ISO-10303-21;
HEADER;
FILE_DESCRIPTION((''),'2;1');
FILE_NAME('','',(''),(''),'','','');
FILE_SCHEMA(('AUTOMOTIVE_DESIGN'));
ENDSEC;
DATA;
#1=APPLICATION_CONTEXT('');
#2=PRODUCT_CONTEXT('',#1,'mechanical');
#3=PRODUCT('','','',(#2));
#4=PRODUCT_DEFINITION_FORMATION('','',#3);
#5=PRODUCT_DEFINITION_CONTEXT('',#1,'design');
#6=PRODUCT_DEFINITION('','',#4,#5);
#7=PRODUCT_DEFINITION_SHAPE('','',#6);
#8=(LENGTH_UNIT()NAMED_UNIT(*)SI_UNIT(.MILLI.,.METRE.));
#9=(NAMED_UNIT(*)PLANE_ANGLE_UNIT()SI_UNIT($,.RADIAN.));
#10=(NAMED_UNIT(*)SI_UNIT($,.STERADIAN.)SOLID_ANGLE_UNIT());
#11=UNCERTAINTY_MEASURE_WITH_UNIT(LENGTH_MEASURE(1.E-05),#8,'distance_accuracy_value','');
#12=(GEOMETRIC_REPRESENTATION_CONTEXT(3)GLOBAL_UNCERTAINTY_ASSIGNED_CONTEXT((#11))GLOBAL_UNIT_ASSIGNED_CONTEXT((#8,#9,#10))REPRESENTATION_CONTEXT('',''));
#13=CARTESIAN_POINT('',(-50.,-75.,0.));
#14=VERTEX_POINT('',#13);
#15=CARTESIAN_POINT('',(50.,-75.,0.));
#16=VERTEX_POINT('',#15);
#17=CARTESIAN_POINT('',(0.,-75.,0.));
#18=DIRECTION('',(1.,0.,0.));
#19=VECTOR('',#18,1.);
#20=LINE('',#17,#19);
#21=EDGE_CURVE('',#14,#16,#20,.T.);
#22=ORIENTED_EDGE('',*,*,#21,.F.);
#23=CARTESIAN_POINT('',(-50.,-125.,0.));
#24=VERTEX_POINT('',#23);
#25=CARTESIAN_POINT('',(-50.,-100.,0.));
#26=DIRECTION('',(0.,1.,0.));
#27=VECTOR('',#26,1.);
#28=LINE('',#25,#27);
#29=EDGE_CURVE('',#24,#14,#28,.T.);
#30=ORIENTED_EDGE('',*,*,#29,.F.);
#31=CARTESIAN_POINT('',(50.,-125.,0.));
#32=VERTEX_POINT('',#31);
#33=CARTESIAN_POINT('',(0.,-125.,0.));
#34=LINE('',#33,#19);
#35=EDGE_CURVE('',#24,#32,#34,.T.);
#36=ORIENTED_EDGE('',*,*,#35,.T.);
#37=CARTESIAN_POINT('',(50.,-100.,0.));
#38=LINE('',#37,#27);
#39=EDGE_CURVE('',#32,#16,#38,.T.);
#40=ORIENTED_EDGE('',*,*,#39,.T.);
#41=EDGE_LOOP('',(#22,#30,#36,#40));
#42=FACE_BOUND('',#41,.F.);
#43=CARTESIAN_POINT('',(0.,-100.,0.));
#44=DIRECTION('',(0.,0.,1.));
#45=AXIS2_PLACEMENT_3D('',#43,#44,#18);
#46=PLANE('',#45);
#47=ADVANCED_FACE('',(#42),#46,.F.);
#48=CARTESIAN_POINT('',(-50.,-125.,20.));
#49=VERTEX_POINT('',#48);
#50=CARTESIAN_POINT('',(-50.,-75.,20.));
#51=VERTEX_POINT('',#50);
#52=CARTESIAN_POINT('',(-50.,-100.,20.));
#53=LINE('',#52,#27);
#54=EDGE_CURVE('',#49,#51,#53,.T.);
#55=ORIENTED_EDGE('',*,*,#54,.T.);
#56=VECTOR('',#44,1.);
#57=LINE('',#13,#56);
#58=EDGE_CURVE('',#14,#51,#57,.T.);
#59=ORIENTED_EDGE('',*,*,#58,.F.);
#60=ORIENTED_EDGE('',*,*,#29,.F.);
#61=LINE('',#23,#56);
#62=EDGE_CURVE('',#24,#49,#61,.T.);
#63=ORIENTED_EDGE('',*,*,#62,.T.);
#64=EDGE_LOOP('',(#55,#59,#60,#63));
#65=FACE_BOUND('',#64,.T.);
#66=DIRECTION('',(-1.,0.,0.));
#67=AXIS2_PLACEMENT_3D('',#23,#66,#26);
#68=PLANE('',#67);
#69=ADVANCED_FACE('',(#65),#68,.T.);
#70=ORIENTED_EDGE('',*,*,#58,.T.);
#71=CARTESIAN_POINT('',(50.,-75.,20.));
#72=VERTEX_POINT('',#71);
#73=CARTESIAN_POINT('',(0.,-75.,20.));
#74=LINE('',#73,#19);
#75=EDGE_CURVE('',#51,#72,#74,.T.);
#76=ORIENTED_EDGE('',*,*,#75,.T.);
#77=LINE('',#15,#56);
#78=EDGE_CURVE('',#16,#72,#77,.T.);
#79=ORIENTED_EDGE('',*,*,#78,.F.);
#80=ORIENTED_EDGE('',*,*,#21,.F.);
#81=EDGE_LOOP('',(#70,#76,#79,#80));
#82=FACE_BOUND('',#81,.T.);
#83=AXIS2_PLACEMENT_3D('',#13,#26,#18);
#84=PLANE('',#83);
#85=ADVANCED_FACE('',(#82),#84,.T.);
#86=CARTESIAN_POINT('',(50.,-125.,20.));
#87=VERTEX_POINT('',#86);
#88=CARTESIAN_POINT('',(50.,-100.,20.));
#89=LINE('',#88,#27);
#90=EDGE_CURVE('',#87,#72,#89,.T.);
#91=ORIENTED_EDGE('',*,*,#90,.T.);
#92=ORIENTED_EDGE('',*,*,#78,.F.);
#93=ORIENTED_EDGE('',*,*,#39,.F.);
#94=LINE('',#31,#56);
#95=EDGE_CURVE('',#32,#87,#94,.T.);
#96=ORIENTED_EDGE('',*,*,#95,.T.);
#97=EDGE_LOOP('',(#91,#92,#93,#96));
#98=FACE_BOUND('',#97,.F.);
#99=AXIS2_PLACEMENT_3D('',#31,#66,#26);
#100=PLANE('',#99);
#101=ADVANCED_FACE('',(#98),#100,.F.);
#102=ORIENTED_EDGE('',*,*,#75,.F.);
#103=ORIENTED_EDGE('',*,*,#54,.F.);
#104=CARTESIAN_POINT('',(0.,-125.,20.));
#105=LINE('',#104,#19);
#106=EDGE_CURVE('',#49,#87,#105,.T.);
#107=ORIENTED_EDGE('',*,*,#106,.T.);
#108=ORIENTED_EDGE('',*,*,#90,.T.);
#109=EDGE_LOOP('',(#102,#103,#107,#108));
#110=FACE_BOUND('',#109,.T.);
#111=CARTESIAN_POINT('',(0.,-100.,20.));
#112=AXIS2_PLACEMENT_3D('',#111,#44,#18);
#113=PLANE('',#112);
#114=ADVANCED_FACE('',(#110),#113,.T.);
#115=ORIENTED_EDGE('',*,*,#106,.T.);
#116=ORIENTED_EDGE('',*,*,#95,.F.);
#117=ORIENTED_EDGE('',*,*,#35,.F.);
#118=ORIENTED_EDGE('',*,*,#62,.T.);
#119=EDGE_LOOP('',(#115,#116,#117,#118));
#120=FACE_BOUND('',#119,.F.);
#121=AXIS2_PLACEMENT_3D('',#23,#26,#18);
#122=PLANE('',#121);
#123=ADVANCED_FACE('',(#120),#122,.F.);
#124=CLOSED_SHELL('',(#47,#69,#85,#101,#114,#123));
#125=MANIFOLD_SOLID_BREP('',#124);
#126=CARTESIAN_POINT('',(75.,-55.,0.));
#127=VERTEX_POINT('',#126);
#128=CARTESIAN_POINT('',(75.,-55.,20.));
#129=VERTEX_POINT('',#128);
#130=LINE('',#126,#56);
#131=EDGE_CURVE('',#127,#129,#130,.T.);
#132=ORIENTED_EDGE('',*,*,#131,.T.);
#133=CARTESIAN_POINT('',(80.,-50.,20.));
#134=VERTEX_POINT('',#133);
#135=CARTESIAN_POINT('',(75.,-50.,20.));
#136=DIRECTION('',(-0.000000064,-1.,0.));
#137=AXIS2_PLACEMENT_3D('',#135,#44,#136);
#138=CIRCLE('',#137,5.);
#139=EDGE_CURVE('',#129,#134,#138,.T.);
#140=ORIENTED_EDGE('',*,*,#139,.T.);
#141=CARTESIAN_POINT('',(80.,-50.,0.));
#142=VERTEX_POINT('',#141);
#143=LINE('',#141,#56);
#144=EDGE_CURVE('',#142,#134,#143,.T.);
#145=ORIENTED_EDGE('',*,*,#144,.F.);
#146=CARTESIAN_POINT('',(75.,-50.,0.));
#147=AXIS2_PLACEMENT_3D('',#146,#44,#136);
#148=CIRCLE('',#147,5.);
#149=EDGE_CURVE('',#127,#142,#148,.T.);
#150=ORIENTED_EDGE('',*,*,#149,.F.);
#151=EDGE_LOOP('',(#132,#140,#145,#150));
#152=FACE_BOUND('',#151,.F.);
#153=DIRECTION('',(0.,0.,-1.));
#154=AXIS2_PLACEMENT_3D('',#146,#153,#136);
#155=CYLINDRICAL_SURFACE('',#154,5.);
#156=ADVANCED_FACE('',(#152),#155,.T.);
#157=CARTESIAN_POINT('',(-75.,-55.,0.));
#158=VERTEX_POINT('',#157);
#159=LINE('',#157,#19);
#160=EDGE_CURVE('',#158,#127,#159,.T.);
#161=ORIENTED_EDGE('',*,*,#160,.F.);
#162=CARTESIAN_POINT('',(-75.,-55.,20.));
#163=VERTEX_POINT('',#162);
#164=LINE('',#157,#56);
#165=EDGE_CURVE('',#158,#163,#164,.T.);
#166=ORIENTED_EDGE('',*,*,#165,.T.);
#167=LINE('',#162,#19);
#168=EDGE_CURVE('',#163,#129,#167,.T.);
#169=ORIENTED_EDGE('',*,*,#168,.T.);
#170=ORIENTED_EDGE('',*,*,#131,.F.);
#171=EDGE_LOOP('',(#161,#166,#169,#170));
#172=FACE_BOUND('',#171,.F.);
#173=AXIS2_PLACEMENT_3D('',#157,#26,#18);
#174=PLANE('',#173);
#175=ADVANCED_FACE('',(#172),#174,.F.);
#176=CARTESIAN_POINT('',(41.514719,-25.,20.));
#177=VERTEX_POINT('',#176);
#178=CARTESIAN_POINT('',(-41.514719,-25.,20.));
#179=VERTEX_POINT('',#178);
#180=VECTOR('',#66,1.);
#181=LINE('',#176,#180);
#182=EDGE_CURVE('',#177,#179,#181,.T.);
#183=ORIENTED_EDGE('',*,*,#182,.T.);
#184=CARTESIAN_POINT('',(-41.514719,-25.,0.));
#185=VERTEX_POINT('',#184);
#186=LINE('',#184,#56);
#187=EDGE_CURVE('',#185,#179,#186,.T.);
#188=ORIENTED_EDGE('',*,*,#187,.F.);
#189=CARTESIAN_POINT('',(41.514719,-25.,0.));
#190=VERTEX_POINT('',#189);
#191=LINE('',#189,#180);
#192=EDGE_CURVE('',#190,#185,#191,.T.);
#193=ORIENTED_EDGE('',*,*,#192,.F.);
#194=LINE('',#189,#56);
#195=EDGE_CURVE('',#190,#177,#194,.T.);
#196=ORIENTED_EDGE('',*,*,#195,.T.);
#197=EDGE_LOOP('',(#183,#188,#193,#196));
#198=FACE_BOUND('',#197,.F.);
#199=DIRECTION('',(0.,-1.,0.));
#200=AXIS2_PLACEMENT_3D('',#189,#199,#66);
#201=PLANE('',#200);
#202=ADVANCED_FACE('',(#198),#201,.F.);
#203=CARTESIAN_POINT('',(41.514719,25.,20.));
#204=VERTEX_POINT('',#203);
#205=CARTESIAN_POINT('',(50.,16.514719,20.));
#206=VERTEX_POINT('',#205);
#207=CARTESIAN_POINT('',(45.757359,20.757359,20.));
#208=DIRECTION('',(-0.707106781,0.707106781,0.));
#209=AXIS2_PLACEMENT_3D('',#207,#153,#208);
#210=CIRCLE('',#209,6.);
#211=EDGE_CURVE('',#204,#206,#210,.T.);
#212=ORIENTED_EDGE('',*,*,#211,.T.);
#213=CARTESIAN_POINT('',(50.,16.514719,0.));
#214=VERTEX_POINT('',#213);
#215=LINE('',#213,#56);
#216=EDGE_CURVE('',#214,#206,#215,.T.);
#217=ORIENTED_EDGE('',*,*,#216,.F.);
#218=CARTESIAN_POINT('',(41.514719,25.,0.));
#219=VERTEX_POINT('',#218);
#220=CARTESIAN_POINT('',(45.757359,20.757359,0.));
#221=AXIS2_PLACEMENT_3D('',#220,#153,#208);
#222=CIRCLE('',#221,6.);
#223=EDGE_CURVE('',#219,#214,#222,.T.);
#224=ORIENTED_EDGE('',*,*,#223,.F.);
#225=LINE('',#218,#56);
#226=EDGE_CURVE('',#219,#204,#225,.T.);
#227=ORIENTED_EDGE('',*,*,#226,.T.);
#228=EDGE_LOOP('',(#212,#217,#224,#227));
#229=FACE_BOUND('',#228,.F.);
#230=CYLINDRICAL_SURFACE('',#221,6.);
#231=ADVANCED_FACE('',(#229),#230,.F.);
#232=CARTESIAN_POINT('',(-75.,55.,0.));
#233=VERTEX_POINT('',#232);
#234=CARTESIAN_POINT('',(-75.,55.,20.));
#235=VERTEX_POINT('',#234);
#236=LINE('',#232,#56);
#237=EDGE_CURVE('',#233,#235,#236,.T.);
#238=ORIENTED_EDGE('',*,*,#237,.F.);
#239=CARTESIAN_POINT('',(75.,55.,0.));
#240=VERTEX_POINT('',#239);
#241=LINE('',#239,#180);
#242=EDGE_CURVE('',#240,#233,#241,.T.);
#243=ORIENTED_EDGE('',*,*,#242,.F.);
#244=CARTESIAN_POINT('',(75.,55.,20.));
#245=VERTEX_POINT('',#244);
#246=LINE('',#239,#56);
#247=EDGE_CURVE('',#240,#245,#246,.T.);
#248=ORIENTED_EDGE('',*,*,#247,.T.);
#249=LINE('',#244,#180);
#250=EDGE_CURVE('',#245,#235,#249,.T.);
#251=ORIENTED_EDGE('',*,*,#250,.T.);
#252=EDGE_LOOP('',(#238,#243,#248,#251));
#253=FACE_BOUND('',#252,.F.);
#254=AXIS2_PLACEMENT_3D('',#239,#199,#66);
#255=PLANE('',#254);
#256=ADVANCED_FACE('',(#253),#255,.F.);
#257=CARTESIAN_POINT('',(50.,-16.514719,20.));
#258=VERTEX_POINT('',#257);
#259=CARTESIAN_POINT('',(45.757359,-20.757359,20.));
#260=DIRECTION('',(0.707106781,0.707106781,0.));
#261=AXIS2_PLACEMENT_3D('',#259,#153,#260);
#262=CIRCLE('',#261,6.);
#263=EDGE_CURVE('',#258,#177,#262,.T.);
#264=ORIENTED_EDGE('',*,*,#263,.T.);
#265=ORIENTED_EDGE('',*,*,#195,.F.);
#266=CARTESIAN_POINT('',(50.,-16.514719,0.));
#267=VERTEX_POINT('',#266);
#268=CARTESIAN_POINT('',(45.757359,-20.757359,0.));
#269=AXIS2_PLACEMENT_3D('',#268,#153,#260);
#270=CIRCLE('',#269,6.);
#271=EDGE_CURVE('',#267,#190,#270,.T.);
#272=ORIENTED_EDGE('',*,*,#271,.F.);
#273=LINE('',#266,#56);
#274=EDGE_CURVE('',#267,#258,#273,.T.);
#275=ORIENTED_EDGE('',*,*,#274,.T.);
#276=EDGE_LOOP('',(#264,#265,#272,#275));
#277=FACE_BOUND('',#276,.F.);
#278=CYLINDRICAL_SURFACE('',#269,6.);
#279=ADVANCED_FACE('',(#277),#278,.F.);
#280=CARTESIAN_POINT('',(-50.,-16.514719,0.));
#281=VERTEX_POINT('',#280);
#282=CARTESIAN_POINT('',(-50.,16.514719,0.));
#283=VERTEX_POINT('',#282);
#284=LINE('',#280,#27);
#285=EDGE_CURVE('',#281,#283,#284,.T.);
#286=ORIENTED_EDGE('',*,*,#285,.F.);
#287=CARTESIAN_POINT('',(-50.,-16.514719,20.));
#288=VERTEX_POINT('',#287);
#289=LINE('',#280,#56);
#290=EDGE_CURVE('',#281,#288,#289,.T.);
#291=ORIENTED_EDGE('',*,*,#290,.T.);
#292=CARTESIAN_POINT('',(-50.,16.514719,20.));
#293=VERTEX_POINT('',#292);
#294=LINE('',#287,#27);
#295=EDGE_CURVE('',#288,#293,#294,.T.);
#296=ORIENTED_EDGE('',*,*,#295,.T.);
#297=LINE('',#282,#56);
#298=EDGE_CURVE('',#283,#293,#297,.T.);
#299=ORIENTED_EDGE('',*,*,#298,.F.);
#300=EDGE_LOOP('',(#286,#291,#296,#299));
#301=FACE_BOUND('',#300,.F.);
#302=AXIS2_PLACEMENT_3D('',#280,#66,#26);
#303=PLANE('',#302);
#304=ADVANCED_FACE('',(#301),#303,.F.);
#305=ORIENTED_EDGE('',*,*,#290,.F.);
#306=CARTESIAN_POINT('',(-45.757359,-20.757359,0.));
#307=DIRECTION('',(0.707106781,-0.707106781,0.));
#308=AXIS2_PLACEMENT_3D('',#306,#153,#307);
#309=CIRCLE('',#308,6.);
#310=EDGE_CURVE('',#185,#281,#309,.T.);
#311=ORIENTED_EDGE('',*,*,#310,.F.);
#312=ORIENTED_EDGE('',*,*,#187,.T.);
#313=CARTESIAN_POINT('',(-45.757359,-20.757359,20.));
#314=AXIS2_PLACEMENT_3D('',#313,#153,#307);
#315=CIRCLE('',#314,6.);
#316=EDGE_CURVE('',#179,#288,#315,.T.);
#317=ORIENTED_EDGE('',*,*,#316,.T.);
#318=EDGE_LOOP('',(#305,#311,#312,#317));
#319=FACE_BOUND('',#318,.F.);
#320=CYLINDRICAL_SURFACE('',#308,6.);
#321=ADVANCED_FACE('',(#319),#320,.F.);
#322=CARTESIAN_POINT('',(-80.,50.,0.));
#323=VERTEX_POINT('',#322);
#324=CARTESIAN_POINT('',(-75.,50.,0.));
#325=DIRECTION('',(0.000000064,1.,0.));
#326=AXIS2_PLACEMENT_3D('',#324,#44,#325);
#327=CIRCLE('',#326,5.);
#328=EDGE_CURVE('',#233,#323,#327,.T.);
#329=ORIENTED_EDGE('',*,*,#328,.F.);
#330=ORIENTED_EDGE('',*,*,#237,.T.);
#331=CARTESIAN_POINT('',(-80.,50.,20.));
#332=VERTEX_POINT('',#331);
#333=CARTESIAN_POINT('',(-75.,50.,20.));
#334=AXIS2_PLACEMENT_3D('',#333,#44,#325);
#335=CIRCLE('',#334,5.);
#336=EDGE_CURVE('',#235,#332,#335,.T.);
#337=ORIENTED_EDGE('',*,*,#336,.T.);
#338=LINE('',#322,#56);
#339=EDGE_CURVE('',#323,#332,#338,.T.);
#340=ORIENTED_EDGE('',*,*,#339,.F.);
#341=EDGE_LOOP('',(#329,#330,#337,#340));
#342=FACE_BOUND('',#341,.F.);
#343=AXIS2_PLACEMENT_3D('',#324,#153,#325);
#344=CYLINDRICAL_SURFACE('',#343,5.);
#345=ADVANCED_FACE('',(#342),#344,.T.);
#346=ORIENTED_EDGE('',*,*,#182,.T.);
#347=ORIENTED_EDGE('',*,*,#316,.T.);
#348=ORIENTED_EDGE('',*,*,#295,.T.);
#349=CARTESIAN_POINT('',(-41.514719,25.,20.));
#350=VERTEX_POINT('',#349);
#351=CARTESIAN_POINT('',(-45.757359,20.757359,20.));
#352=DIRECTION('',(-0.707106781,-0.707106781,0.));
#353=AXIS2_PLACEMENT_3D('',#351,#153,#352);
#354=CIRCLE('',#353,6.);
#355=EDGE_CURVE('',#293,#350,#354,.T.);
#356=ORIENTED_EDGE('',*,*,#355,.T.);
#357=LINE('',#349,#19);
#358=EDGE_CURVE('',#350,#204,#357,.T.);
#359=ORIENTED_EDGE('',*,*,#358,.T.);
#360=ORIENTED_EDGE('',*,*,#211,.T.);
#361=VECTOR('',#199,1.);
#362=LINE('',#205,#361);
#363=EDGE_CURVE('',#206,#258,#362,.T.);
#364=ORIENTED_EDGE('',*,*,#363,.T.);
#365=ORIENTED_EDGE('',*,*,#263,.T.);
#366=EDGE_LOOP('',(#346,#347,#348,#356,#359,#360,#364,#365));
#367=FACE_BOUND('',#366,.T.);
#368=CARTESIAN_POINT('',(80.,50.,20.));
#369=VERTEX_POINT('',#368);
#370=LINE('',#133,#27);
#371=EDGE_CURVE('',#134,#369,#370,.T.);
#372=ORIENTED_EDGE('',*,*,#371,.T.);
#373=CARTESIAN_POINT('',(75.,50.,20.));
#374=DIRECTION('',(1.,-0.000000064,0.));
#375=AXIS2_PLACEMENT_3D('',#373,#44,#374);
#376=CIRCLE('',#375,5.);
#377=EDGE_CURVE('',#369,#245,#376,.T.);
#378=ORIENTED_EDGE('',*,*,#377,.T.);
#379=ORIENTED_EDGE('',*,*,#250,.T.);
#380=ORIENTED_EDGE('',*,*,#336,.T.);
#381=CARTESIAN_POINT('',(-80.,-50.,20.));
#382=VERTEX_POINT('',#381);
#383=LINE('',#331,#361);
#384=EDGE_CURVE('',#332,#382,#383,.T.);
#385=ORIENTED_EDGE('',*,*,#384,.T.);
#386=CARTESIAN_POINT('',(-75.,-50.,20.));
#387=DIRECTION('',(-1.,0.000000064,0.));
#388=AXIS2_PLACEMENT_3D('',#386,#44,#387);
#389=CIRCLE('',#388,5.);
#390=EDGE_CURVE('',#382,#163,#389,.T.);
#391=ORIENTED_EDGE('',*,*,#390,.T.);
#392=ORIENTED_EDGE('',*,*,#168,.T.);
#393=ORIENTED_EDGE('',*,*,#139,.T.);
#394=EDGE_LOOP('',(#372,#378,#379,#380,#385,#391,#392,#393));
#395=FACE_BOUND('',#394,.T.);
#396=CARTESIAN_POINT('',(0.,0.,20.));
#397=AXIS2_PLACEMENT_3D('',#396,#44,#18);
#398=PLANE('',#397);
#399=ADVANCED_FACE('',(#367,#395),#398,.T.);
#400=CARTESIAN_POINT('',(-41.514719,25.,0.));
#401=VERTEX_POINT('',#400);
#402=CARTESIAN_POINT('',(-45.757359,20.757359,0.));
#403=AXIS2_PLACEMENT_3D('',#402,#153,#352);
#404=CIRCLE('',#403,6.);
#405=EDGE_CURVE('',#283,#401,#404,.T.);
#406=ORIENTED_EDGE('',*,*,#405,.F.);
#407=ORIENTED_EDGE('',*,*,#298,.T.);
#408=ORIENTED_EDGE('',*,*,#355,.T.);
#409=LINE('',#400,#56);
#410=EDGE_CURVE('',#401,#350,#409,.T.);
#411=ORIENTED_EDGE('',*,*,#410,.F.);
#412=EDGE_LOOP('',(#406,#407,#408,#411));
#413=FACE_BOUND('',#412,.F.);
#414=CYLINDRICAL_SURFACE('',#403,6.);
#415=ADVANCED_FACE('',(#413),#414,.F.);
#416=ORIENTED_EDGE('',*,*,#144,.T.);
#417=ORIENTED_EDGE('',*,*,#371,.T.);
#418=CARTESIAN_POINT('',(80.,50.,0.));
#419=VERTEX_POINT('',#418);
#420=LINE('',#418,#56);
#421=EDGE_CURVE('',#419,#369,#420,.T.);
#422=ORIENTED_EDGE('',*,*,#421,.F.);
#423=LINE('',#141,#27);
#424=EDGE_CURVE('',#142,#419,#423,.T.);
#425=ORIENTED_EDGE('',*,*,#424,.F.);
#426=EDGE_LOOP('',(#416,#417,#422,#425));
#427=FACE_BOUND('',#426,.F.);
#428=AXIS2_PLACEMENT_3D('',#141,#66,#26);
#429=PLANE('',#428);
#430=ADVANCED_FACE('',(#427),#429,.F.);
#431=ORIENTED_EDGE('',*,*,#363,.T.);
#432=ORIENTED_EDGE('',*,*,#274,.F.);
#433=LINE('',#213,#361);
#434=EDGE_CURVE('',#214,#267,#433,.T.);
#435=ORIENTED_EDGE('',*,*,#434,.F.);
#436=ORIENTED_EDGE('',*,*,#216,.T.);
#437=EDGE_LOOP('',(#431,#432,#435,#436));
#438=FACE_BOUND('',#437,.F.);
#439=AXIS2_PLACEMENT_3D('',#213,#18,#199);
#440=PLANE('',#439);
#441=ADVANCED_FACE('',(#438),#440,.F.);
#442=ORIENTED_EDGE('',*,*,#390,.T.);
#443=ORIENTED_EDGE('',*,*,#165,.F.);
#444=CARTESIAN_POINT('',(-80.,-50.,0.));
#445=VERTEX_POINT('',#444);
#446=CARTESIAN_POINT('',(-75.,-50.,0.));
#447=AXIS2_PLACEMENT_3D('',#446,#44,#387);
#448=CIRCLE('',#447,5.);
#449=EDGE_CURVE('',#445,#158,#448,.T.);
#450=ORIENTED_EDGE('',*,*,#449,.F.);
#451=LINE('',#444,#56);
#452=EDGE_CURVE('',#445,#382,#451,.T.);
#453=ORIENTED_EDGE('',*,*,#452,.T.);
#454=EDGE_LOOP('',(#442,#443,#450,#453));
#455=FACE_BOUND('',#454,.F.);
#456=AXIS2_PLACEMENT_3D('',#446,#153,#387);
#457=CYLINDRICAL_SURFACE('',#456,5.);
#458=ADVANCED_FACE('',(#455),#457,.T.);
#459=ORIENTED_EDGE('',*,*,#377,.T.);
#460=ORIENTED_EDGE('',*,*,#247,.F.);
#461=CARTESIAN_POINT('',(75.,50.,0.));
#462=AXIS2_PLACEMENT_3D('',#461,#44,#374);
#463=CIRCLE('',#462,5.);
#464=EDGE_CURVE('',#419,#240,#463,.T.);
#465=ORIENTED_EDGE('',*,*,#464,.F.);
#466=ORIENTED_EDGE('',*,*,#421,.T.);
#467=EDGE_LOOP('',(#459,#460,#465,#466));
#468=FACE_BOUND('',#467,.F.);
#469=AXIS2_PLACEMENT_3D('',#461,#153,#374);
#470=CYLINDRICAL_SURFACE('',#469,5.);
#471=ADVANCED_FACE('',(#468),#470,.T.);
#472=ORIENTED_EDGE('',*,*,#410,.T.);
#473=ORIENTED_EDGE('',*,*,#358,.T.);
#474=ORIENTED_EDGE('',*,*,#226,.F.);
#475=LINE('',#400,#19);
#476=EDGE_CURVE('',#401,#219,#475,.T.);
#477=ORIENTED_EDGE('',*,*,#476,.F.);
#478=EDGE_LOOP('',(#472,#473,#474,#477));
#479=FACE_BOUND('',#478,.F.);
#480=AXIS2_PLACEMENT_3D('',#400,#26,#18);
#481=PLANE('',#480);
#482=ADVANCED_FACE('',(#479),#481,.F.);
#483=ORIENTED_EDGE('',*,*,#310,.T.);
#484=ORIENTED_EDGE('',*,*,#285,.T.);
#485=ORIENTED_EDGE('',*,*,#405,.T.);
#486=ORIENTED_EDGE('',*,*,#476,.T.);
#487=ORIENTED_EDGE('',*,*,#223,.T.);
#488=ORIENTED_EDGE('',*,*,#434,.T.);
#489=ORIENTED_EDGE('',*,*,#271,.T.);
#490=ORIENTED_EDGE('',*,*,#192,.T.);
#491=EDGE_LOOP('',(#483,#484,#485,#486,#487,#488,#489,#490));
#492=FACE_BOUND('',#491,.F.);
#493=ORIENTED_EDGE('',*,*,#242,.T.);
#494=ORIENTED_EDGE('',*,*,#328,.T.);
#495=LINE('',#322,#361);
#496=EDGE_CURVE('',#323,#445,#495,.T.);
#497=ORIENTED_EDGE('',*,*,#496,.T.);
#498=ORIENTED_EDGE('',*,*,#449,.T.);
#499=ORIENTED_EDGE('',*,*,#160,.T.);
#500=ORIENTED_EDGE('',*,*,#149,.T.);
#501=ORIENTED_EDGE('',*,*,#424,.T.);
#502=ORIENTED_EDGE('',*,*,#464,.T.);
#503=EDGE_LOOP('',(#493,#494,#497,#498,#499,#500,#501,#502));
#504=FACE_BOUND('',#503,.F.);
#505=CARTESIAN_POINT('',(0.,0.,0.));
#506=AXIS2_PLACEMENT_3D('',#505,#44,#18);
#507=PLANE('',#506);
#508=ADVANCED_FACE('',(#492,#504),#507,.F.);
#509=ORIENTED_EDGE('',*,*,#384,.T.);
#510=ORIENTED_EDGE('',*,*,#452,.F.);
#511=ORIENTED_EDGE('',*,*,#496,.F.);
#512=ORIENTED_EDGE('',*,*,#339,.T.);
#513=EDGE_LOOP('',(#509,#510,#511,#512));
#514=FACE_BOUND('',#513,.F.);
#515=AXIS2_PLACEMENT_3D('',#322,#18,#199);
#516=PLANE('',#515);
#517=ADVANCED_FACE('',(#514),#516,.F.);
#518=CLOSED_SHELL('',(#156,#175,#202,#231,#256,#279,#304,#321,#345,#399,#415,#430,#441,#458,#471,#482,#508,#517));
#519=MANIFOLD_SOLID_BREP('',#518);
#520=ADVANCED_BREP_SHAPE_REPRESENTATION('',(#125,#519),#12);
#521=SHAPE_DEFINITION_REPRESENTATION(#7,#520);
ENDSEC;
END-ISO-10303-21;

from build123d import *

# Parameters (mm, degrees)
F0_W     = 100
F0_H     = 50
F1_DEPTH = 20


with BuildPart() as f1:
    # F0 (on Top) → F1 (new body)
    with BuildSketch(Plane.XY):
        with BuildLine():
            Line((75, 55), (-75, 55))
            ThreePointArc((-75, 55), (-78.535534, 53.535534), (-80, 50))
            Line((-80, 50), (-80, -50))
            ThreePointArc((-80, -50), (-78.535534, -53.535534), (-75, -55))
            Line((-75, -55), (75, -55))
            ThreePointArc((75, -55), (78.535534, -53.535534), (80, -50))
            Line((80, -50), (80, 50))
            ThreePointArc((80, 50), (78.535534, 53.535534), (75, 55))
        make_face()
        with BuildLine():
            ThreePointArc((-50, 16.514719), (-50, 25), (-41.514719, 25))
            Line((-41.514719, 25), (41.514719, 25))
            ThreePointArc((41.514719, 25), (50, 25), (50, 16.514719))
            Line((50, 16.514719), (50, -16.514719))
            ThreePointArc((50, -16.514719), (50, -25), (41.514719, -25))
            Line((41.514719, -25), (-41.514719, -25))
            ThreePointArc((-41.514719, -25), (-50, -25), (-50, -16.514719))
            Line((-50, -16.514719), (-50, 16.514719))
        make_face(mode=Mode.SUBTRACT)
        with Locations((0, -100)):
            Rectangle(F0_W, F0_H)
    extrude(amount=F1_DEPTH)


solid = f1.part
